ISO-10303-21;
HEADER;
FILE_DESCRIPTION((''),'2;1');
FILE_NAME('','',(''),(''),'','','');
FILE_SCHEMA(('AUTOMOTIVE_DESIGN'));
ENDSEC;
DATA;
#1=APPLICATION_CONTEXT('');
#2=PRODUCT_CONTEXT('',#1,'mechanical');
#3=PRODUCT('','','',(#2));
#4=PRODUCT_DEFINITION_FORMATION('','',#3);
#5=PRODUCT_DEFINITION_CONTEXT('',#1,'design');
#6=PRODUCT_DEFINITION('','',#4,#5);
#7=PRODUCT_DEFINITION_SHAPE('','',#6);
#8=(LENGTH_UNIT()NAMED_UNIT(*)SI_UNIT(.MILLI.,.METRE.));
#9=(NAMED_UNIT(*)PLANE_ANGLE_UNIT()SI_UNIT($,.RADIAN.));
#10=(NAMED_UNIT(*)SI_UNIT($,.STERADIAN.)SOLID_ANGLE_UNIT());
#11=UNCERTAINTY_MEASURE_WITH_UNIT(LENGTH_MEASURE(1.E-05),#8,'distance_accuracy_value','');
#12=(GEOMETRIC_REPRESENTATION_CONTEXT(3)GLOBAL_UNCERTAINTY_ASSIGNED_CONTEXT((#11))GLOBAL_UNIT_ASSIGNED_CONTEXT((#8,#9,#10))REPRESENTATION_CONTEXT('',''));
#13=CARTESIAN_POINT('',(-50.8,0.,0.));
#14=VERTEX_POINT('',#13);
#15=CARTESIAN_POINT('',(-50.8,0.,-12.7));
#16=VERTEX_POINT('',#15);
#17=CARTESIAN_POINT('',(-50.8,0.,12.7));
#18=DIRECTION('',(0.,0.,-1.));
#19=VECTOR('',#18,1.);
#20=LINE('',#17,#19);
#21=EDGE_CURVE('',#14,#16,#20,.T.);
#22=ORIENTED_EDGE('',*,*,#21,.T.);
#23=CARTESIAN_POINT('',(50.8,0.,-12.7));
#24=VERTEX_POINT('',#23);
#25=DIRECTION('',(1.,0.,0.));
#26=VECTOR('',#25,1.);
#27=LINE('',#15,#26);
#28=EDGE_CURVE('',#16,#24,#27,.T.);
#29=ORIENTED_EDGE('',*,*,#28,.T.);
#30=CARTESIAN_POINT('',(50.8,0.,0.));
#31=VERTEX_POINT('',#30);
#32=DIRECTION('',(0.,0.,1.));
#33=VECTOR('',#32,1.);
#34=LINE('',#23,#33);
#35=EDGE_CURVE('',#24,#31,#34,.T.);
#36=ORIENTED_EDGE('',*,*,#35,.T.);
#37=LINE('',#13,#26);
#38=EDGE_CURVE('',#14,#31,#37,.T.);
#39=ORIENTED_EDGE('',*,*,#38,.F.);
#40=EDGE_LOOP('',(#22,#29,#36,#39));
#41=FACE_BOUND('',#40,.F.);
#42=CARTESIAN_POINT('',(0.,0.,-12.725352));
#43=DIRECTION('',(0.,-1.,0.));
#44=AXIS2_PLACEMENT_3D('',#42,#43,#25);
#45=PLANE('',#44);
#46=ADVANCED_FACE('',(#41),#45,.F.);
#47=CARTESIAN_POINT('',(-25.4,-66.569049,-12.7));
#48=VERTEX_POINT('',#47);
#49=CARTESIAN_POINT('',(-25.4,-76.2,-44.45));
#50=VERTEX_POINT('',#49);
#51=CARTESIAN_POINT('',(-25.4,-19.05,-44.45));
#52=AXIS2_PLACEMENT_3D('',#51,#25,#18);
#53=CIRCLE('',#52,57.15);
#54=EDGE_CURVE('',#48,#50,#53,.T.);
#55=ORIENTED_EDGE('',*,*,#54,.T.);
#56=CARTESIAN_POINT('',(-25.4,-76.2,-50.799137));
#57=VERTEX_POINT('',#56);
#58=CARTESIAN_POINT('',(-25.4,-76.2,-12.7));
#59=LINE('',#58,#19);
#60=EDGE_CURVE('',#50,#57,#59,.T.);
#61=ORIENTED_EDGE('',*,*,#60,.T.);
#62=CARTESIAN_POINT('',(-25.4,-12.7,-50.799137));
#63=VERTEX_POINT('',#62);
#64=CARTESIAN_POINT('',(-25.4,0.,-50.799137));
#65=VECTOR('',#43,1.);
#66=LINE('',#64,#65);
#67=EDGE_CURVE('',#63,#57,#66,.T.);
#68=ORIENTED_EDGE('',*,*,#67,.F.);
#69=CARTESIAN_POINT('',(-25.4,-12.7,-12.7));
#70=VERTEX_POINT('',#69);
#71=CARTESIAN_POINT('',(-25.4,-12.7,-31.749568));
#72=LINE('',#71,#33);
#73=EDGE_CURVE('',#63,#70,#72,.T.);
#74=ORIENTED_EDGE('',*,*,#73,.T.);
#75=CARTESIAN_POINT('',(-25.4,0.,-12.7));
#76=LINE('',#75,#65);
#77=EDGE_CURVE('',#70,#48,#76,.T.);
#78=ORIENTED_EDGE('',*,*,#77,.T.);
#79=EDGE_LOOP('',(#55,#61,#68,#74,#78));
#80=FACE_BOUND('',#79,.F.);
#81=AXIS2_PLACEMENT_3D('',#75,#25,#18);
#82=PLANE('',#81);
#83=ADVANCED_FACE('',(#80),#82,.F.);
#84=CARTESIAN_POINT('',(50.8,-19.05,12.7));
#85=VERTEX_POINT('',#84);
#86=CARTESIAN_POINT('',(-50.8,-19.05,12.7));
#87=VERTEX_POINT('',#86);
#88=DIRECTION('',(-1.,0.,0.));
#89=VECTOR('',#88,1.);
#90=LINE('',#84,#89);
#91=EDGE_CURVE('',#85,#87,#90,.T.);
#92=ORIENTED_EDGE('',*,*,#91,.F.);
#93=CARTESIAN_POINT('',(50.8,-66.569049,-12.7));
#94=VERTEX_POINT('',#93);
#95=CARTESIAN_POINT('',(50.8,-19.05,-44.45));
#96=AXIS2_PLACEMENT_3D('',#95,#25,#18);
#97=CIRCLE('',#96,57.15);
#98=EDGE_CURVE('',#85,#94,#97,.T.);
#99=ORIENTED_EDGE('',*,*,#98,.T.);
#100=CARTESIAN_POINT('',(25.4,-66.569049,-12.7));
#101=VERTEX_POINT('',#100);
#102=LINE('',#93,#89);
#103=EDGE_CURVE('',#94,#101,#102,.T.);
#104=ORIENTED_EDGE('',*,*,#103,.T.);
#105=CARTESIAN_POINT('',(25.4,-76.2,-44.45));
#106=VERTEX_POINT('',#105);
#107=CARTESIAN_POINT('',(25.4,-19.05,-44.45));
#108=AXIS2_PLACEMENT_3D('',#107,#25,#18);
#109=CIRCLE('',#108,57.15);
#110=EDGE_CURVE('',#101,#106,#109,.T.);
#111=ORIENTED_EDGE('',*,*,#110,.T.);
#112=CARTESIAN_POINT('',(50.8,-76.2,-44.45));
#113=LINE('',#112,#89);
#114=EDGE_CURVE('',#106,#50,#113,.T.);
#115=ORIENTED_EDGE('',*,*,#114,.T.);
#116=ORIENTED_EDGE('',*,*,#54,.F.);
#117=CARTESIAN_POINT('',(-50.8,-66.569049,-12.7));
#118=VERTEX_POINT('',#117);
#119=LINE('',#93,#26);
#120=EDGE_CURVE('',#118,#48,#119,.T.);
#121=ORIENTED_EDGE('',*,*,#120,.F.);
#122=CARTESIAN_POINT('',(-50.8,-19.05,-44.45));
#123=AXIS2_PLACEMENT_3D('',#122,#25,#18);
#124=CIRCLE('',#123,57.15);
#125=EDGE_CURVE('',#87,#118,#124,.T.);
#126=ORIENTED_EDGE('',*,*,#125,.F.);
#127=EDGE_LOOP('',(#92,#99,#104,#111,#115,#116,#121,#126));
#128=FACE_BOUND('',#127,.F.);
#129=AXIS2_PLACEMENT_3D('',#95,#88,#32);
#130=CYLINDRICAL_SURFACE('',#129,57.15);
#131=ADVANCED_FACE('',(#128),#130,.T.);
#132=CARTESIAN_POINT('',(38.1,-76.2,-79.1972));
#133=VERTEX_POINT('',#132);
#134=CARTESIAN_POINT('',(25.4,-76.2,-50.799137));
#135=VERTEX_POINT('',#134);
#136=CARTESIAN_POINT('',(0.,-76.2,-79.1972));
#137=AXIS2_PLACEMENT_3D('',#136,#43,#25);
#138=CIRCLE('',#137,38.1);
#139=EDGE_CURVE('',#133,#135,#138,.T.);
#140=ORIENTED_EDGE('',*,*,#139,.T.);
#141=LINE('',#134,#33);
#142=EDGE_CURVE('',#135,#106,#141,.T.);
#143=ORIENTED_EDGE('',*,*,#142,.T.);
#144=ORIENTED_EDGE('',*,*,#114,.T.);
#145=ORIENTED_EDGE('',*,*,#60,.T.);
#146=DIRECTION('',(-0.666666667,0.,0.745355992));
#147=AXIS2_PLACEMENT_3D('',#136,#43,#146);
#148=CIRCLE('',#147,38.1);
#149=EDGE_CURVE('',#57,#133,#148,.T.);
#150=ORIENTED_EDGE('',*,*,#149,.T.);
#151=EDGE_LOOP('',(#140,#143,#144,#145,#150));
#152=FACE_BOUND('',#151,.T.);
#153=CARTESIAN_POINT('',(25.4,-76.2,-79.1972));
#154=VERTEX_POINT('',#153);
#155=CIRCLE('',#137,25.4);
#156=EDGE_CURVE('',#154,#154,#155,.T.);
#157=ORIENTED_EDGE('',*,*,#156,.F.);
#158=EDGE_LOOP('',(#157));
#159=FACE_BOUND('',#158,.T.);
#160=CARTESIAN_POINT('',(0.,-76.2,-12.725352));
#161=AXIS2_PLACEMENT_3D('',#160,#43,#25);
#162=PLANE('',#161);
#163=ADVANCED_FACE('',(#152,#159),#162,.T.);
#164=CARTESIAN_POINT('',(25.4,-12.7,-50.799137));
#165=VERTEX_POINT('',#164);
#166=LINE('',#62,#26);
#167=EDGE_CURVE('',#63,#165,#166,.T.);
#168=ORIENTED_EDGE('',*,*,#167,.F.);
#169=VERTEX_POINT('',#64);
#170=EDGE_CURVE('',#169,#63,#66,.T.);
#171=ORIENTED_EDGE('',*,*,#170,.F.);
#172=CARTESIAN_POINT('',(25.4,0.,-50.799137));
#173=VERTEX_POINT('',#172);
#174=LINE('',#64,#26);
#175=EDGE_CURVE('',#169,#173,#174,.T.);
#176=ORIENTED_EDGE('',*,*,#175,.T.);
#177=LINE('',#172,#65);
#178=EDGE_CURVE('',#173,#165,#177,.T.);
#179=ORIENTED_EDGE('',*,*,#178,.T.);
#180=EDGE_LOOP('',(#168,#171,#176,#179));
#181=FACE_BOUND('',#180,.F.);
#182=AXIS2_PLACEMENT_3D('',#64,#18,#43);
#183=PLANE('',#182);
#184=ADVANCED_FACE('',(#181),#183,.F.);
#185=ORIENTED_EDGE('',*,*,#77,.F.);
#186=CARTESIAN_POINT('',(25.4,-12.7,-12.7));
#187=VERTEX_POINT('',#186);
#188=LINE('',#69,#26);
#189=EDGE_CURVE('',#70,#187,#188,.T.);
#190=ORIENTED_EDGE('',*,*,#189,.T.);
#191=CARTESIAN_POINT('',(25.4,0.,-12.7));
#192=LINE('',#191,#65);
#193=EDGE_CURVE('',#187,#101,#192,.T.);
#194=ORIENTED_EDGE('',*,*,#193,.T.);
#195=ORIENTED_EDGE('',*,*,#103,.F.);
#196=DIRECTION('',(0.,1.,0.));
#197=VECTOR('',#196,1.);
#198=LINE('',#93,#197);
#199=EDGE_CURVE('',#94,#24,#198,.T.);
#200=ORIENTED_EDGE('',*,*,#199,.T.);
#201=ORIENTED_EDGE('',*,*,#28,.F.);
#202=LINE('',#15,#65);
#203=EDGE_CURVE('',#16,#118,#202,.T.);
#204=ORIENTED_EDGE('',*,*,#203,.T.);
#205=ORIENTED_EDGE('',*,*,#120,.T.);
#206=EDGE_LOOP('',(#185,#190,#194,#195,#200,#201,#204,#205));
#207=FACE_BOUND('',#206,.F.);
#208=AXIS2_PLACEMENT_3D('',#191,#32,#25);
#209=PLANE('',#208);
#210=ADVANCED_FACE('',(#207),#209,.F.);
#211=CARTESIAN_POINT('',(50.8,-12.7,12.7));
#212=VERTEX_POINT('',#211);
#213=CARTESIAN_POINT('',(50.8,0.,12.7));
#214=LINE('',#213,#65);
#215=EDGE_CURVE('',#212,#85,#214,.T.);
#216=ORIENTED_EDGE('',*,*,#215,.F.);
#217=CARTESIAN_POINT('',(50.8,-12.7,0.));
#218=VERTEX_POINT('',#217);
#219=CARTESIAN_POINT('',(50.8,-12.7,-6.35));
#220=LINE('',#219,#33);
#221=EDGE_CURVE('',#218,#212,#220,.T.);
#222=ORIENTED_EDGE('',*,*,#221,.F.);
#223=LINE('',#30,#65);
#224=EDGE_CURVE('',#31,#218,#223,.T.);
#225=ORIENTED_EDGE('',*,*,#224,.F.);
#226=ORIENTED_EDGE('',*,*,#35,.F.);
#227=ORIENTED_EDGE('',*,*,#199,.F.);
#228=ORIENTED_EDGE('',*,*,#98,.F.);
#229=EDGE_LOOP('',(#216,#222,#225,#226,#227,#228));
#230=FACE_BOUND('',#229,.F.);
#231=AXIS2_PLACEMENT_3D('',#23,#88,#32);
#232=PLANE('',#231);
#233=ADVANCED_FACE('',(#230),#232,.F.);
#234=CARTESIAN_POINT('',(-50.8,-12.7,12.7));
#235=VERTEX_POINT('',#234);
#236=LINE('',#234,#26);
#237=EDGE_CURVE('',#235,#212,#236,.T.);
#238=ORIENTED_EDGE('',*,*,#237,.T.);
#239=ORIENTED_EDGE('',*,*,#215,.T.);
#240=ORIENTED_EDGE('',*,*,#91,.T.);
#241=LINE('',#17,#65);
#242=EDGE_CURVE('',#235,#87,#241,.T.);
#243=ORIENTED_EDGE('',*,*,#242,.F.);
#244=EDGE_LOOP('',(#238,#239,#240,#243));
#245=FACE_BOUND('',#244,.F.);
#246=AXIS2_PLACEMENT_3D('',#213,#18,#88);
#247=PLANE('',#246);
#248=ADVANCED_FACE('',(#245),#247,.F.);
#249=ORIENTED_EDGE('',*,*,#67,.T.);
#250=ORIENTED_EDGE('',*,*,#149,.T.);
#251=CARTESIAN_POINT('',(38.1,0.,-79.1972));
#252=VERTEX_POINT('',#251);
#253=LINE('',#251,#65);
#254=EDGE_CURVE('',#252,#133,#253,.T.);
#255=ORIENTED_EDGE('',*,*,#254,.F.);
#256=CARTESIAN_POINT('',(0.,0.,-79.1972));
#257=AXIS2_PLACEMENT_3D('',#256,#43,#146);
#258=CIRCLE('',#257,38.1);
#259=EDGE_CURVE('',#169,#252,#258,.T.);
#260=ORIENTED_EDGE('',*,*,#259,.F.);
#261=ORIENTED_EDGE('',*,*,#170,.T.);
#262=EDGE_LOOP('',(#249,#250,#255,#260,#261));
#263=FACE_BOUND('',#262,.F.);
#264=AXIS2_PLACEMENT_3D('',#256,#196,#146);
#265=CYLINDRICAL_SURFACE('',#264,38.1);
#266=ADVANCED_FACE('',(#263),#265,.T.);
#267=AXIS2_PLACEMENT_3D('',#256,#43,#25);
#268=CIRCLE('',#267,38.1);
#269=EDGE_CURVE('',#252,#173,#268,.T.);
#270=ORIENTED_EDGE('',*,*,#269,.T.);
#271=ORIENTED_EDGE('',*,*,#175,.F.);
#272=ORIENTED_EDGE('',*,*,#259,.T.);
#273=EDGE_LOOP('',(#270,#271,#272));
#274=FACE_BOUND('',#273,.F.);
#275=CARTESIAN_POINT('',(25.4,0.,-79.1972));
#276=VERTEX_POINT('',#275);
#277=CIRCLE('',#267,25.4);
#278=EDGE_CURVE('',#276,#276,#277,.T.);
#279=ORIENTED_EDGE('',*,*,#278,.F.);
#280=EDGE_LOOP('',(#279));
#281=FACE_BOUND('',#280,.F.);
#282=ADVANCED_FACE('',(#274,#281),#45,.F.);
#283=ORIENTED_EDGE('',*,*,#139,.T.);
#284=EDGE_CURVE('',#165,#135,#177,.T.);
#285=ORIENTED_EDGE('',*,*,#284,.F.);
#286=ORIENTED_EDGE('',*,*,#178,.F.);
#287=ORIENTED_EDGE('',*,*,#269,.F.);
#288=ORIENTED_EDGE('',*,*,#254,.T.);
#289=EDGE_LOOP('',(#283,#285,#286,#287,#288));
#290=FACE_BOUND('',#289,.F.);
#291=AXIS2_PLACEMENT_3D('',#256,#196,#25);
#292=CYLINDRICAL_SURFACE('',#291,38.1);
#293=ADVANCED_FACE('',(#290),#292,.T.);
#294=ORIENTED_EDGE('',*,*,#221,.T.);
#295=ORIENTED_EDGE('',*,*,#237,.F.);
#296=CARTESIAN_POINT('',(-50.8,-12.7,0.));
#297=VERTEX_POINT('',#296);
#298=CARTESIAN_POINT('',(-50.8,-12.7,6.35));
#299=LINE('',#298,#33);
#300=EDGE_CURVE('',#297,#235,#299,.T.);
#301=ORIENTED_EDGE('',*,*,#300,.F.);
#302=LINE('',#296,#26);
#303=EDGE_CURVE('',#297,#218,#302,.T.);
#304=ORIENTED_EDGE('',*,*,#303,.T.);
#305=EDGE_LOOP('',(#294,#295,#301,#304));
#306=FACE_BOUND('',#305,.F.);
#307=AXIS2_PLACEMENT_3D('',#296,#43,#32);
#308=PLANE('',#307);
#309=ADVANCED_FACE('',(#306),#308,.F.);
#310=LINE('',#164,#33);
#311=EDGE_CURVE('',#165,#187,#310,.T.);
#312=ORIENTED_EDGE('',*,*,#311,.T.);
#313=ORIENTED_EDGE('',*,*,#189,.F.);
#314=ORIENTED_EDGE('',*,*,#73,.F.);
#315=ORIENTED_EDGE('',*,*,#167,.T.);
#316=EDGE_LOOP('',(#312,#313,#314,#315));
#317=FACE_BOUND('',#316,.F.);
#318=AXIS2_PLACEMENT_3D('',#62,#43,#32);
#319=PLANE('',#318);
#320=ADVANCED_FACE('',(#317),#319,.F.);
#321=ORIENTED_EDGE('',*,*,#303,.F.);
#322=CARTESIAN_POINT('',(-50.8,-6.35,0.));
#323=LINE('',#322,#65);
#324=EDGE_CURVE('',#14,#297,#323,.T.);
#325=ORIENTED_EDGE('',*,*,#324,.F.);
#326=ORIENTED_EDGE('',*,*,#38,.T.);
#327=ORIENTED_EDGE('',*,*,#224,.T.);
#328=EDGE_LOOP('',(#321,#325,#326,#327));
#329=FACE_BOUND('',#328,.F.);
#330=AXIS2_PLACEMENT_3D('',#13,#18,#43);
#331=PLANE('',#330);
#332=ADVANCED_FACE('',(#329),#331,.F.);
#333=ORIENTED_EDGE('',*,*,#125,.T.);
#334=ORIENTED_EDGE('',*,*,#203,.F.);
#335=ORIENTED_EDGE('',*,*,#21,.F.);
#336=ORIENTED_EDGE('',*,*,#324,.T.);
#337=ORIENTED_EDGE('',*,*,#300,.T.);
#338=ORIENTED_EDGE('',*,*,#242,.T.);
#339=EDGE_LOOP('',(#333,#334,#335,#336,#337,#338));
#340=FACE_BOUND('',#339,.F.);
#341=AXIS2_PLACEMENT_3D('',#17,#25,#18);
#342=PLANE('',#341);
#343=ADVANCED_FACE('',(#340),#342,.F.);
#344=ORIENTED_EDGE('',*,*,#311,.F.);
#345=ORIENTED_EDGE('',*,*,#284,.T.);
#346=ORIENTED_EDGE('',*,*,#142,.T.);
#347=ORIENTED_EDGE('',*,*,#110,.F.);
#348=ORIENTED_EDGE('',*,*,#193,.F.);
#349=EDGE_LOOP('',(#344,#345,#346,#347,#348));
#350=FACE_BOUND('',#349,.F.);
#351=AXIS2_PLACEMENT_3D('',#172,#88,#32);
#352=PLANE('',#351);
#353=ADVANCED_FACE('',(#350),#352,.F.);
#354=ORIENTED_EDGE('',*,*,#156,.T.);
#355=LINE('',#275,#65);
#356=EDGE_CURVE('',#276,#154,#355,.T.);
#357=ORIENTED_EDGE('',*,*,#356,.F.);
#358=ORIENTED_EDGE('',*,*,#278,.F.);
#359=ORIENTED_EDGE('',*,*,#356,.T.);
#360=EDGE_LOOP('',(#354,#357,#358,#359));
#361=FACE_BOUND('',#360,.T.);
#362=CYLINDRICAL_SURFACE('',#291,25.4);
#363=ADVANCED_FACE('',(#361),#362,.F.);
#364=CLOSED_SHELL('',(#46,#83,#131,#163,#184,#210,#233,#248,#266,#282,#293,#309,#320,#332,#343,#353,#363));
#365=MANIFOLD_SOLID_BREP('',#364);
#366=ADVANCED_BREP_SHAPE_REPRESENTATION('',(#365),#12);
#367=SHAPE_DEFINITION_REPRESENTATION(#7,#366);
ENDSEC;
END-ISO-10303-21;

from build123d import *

# Parameters (mm, degrees)
F0_R     = 25.4
F1_DEPTH = 76.2
F2_W     = 12.7
F2_H     = 12.7
F3_DEPTH = 101.601
F4_R     = 57.15
F5_W     = 12.7
F5_H     = 38.0991366858
F6_DEPTH = 76.201


with BuildPart() as f1:
    # F0 (on Front) → F1 (new body)
    with BuildSketch(Plane.XZ):
        with BuildLine():
            Line((50.8, -12.7), (50.8, 12.7))
            Line((50.8, 12.7), (-50.8, 12.7))
            Line((-50.8, 12.7), (-50.8, -12.7))
            Line((-50.8, -12.7), (-25.4, -12.7))
            Line((-25.4, -12.7), (-25.4, -50.7991366858))
            ThreePointArc((-25.4, -50.7991366858), (0, -41.0972), (25.4, -50.7991366858))
            Line((25.4, -50.7991366858), (25.4, -12.7))
            Line((25.4, -12.7), (50.8, -12.7))
        make_face()
        with BuildLine():
            ThreePointArc((38.1, -79.1972), (34.7803824016, -63.6429401333), (25.4, -50.7991366858))
            ThreePointArc((25.4, -50.7991366858), (0, -41.0972), (-25.4, -50.7991366858))
            ThreePointArc((-25.4, -50.7991366858), (-15.5542598667, -113.9775824016), (38.1, -79.1972))
        make_face()
        with Locations((0, -79.1972)):
            Circle(F0_R, mode=Mode.SUBTRACT)
    extrude(amount=F1_DEPTH)

    # F2 (on face) → F3 (cut, through all)
    with BuildSketch(Plane(origin=(-50.8, 0, 0), x_dir=(0, -1, 0), z_dir=(-1, 0, 0))):
        with Locations((6.35, 6.35)):
            Rectangle(F2_W, F2_H)
    extrude(amount=-F3_DEPTH, mode=Mode.SUBTRACT)

    # F4
    f4_edges = [f1.edges().sort_by_distance(p)[0] for p in [
        (0, -76.2, 12.7),
    ]]
    fillet(f4_edges, radius=F4_R)

    # F5 (on face) → F6 (cut, through all)
    with BuildSketch(Plane(origin=(-25.4, 0, 0), x_dir=(0, -1, 0), z_dir=(-1, 0, 0))):
        with Locations((6.35, -31.7495683429)):
            Rectangle(F5_W, F5_H)
    extrude(amount=-F6_DEPTH, mode=Mode.SUBTRACT)


solid = f1.part
